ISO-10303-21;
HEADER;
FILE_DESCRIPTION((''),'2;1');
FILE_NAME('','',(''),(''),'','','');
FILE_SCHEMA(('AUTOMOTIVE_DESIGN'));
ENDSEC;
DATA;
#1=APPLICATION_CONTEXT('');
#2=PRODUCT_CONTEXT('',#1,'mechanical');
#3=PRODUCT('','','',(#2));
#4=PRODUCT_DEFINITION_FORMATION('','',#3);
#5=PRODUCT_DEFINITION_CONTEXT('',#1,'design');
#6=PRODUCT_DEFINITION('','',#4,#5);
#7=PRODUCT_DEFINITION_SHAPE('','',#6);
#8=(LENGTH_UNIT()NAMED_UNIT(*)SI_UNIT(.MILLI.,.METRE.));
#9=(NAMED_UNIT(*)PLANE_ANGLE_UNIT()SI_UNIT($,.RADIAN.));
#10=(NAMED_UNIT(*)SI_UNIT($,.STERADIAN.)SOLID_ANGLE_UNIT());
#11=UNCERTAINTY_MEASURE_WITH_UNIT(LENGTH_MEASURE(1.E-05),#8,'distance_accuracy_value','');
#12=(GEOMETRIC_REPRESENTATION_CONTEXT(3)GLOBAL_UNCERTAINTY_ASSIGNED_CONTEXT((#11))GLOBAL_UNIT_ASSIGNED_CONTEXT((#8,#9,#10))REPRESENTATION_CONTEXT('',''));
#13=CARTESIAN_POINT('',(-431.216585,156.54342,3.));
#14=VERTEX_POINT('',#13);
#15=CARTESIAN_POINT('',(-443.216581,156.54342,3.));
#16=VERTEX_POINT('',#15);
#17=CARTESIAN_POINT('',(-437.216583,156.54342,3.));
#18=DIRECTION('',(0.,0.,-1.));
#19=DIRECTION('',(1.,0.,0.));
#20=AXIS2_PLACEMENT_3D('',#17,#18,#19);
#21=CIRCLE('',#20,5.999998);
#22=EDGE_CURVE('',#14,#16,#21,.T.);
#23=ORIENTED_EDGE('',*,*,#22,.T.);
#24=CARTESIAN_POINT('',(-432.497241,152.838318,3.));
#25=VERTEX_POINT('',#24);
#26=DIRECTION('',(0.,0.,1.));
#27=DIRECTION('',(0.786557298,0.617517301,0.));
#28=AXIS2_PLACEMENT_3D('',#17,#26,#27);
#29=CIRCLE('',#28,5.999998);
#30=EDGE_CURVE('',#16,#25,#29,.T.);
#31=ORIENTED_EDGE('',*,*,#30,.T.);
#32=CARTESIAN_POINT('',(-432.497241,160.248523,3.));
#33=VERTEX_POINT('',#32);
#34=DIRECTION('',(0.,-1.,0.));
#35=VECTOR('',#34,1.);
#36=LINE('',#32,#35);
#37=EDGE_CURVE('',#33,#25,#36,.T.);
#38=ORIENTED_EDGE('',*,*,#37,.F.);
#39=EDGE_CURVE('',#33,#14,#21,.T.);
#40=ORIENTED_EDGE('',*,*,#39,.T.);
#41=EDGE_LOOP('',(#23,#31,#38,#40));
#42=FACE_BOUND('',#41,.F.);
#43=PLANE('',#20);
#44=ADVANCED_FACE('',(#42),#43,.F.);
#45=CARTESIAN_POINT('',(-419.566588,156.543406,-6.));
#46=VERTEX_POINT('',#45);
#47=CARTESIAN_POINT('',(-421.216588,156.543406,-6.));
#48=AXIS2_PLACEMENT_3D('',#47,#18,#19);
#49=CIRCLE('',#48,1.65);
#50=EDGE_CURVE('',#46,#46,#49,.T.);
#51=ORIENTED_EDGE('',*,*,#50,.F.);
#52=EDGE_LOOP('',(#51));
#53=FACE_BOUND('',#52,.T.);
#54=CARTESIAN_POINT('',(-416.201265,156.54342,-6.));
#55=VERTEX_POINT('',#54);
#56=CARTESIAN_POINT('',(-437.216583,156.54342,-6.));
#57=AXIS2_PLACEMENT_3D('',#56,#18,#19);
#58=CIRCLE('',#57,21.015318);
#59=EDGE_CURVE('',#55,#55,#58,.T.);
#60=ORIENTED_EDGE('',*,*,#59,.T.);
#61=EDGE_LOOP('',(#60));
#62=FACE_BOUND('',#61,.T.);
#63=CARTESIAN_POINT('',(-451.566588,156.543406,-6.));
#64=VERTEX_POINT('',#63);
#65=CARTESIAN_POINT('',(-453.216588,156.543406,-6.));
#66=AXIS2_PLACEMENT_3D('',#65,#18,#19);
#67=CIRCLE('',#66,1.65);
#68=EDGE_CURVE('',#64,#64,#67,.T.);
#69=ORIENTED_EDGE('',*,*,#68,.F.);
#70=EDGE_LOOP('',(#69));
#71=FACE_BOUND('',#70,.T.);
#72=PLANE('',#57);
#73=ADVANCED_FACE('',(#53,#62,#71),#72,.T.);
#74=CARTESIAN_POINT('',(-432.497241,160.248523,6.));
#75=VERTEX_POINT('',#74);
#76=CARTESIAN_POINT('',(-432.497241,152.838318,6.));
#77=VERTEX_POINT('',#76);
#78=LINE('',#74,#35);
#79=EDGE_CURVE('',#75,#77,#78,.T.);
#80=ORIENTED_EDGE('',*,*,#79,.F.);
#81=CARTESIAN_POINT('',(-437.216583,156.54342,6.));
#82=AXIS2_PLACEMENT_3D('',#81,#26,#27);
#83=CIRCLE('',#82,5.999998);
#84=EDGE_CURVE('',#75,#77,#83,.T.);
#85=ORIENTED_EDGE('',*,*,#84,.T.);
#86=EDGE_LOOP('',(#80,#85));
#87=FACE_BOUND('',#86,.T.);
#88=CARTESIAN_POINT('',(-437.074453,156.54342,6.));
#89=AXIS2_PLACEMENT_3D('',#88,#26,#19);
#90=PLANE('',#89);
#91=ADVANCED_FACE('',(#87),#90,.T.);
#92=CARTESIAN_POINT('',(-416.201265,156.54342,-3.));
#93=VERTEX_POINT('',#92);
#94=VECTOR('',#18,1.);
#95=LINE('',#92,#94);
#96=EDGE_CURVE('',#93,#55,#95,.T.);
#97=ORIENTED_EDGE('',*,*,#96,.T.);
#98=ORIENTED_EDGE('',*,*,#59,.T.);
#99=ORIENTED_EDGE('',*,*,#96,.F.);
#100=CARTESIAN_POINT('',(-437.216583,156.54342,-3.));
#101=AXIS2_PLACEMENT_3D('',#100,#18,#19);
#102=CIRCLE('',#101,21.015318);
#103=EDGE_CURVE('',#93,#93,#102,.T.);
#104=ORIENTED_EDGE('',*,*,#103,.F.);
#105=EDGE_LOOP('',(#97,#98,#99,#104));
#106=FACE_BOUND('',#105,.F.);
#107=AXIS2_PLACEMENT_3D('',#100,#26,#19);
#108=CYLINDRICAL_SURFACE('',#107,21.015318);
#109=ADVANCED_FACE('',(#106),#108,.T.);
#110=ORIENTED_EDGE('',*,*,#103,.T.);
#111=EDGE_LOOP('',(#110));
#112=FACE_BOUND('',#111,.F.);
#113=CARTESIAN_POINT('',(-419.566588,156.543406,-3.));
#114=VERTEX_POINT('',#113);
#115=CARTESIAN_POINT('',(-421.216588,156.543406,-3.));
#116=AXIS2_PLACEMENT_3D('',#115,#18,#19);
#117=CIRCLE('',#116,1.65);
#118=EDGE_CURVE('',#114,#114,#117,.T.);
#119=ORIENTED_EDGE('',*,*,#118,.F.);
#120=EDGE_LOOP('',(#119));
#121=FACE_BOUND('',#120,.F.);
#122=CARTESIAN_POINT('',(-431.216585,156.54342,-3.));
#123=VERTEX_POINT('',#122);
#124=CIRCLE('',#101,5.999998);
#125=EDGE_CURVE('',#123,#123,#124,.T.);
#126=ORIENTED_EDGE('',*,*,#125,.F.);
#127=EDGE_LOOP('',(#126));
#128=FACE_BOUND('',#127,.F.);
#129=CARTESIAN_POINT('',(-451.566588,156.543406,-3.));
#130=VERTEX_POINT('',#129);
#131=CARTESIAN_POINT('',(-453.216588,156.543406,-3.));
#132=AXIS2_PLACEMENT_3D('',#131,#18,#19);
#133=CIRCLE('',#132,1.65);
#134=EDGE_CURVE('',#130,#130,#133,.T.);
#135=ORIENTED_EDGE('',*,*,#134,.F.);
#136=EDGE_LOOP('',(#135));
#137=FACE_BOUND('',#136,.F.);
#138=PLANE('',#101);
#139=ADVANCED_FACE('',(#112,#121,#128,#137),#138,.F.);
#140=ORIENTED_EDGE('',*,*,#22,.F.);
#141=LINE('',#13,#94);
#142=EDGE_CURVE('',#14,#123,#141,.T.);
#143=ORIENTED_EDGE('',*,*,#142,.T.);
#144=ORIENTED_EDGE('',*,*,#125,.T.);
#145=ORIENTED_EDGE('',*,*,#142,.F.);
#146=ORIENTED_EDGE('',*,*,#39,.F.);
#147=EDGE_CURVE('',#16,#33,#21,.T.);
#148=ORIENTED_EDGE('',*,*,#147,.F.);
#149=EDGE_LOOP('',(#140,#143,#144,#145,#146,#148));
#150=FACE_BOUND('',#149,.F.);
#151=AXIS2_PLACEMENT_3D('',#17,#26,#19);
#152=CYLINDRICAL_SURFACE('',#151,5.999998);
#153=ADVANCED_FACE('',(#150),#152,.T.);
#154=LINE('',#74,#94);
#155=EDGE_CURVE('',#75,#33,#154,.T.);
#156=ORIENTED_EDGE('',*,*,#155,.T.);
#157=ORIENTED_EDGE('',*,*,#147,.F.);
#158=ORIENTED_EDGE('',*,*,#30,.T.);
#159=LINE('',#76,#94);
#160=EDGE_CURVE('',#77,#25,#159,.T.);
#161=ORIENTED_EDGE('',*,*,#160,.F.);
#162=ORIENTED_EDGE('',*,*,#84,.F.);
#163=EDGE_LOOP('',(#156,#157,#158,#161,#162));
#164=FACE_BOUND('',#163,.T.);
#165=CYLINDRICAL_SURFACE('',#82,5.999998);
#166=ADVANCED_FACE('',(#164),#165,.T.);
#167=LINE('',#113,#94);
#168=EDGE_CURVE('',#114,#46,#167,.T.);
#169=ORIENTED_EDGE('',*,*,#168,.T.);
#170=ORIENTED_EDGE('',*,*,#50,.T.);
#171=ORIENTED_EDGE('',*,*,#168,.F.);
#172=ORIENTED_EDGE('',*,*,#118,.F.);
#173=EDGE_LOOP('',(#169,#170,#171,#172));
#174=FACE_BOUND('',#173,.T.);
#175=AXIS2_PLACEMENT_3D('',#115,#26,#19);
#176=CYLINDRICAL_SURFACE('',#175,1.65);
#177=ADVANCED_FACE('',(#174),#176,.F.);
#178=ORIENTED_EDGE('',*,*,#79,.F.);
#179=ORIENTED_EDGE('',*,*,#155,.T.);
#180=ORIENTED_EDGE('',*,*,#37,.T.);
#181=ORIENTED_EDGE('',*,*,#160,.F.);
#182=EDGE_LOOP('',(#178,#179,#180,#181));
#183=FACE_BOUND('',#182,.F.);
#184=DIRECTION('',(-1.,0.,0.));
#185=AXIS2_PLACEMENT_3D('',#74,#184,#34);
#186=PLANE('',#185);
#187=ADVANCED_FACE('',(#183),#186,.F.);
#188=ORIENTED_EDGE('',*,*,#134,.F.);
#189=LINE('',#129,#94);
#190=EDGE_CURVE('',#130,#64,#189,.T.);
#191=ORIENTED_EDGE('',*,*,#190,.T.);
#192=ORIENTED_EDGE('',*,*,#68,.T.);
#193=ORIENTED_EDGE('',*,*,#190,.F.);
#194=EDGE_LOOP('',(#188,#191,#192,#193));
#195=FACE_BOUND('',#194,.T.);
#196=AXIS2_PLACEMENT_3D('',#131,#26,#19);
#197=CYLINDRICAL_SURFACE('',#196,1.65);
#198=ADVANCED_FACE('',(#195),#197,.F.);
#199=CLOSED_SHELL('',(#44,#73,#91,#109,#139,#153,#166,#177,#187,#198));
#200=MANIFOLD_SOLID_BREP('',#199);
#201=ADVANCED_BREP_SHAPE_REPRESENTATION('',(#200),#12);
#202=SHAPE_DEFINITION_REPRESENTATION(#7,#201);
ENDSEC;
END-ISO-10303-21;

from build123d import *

# Parameters (mm, degrees)
SKETCH013_R      = 5.999998
EXTRUDE006_DEPTH = 6
EXTRUDE005_DEPTH = 3
SKETCH014_R      = 21.015318
SKETCH014_R_2    = 1.65
EXTRUDE007_DEPTH = 3


with BuildPart() as extrude006:
    # Sketch013 (on Face4 of Extrude005) → Extrude006 (new body)
    with BuildSketch(Plane(origin=(0, 0, 3), x_dir=(1, 0, 0), z_dir=(0, 0, -1))):
        with Locations((-437.216583, -156.54342)):
            Circle(SKETCH013_R)
    extrude(amount=EXTRUDE006_DEPTH)


with BuildPart() as extrude005:
    # Sketch012 → Extrude005 (new body)
    with BuildSketch(Plane.XY.offset(6)):
        with BuildLine():
            ThreePointArc((-432.497241, 160.248523), (-443.216581, 156.54342), (-432.497241, 152.838318))
            Line((-432.497241, 160.248523), (-432.497241, 152.838318))
        make_face()
    extrude(amount=-EXTRUDE005_DEPTH)


with BuildPart() as fusion002:
    # Sketch014 (on Face3 of Extrude006) → Extrude007 (new body)
    with BuildSketch(Plane(origin=(0, 0, -3), x_dir=(1, 0, 0), z_dir=(0, 0, -1))):
        with Locations((-437.216583, -156.54342)):
            Circle(SKETCH014_R)
        with Locations((-453.216588, -156.543406)):
            Circle(SKETCH014_R_2, mode=Mode.SUBTRACT)
        with Locations((-421.216588, -156.543406)):
            Circle(SKETCH014_R_2, mode=Mode.SUBTRACT)
    extrude(amount=EXTRUDE007_DEPTH)

    # Fusion002: union Extrude006, Extrude005
    add(extrude006.part)
    add(extrude005.part)


solid = fusion002.part
